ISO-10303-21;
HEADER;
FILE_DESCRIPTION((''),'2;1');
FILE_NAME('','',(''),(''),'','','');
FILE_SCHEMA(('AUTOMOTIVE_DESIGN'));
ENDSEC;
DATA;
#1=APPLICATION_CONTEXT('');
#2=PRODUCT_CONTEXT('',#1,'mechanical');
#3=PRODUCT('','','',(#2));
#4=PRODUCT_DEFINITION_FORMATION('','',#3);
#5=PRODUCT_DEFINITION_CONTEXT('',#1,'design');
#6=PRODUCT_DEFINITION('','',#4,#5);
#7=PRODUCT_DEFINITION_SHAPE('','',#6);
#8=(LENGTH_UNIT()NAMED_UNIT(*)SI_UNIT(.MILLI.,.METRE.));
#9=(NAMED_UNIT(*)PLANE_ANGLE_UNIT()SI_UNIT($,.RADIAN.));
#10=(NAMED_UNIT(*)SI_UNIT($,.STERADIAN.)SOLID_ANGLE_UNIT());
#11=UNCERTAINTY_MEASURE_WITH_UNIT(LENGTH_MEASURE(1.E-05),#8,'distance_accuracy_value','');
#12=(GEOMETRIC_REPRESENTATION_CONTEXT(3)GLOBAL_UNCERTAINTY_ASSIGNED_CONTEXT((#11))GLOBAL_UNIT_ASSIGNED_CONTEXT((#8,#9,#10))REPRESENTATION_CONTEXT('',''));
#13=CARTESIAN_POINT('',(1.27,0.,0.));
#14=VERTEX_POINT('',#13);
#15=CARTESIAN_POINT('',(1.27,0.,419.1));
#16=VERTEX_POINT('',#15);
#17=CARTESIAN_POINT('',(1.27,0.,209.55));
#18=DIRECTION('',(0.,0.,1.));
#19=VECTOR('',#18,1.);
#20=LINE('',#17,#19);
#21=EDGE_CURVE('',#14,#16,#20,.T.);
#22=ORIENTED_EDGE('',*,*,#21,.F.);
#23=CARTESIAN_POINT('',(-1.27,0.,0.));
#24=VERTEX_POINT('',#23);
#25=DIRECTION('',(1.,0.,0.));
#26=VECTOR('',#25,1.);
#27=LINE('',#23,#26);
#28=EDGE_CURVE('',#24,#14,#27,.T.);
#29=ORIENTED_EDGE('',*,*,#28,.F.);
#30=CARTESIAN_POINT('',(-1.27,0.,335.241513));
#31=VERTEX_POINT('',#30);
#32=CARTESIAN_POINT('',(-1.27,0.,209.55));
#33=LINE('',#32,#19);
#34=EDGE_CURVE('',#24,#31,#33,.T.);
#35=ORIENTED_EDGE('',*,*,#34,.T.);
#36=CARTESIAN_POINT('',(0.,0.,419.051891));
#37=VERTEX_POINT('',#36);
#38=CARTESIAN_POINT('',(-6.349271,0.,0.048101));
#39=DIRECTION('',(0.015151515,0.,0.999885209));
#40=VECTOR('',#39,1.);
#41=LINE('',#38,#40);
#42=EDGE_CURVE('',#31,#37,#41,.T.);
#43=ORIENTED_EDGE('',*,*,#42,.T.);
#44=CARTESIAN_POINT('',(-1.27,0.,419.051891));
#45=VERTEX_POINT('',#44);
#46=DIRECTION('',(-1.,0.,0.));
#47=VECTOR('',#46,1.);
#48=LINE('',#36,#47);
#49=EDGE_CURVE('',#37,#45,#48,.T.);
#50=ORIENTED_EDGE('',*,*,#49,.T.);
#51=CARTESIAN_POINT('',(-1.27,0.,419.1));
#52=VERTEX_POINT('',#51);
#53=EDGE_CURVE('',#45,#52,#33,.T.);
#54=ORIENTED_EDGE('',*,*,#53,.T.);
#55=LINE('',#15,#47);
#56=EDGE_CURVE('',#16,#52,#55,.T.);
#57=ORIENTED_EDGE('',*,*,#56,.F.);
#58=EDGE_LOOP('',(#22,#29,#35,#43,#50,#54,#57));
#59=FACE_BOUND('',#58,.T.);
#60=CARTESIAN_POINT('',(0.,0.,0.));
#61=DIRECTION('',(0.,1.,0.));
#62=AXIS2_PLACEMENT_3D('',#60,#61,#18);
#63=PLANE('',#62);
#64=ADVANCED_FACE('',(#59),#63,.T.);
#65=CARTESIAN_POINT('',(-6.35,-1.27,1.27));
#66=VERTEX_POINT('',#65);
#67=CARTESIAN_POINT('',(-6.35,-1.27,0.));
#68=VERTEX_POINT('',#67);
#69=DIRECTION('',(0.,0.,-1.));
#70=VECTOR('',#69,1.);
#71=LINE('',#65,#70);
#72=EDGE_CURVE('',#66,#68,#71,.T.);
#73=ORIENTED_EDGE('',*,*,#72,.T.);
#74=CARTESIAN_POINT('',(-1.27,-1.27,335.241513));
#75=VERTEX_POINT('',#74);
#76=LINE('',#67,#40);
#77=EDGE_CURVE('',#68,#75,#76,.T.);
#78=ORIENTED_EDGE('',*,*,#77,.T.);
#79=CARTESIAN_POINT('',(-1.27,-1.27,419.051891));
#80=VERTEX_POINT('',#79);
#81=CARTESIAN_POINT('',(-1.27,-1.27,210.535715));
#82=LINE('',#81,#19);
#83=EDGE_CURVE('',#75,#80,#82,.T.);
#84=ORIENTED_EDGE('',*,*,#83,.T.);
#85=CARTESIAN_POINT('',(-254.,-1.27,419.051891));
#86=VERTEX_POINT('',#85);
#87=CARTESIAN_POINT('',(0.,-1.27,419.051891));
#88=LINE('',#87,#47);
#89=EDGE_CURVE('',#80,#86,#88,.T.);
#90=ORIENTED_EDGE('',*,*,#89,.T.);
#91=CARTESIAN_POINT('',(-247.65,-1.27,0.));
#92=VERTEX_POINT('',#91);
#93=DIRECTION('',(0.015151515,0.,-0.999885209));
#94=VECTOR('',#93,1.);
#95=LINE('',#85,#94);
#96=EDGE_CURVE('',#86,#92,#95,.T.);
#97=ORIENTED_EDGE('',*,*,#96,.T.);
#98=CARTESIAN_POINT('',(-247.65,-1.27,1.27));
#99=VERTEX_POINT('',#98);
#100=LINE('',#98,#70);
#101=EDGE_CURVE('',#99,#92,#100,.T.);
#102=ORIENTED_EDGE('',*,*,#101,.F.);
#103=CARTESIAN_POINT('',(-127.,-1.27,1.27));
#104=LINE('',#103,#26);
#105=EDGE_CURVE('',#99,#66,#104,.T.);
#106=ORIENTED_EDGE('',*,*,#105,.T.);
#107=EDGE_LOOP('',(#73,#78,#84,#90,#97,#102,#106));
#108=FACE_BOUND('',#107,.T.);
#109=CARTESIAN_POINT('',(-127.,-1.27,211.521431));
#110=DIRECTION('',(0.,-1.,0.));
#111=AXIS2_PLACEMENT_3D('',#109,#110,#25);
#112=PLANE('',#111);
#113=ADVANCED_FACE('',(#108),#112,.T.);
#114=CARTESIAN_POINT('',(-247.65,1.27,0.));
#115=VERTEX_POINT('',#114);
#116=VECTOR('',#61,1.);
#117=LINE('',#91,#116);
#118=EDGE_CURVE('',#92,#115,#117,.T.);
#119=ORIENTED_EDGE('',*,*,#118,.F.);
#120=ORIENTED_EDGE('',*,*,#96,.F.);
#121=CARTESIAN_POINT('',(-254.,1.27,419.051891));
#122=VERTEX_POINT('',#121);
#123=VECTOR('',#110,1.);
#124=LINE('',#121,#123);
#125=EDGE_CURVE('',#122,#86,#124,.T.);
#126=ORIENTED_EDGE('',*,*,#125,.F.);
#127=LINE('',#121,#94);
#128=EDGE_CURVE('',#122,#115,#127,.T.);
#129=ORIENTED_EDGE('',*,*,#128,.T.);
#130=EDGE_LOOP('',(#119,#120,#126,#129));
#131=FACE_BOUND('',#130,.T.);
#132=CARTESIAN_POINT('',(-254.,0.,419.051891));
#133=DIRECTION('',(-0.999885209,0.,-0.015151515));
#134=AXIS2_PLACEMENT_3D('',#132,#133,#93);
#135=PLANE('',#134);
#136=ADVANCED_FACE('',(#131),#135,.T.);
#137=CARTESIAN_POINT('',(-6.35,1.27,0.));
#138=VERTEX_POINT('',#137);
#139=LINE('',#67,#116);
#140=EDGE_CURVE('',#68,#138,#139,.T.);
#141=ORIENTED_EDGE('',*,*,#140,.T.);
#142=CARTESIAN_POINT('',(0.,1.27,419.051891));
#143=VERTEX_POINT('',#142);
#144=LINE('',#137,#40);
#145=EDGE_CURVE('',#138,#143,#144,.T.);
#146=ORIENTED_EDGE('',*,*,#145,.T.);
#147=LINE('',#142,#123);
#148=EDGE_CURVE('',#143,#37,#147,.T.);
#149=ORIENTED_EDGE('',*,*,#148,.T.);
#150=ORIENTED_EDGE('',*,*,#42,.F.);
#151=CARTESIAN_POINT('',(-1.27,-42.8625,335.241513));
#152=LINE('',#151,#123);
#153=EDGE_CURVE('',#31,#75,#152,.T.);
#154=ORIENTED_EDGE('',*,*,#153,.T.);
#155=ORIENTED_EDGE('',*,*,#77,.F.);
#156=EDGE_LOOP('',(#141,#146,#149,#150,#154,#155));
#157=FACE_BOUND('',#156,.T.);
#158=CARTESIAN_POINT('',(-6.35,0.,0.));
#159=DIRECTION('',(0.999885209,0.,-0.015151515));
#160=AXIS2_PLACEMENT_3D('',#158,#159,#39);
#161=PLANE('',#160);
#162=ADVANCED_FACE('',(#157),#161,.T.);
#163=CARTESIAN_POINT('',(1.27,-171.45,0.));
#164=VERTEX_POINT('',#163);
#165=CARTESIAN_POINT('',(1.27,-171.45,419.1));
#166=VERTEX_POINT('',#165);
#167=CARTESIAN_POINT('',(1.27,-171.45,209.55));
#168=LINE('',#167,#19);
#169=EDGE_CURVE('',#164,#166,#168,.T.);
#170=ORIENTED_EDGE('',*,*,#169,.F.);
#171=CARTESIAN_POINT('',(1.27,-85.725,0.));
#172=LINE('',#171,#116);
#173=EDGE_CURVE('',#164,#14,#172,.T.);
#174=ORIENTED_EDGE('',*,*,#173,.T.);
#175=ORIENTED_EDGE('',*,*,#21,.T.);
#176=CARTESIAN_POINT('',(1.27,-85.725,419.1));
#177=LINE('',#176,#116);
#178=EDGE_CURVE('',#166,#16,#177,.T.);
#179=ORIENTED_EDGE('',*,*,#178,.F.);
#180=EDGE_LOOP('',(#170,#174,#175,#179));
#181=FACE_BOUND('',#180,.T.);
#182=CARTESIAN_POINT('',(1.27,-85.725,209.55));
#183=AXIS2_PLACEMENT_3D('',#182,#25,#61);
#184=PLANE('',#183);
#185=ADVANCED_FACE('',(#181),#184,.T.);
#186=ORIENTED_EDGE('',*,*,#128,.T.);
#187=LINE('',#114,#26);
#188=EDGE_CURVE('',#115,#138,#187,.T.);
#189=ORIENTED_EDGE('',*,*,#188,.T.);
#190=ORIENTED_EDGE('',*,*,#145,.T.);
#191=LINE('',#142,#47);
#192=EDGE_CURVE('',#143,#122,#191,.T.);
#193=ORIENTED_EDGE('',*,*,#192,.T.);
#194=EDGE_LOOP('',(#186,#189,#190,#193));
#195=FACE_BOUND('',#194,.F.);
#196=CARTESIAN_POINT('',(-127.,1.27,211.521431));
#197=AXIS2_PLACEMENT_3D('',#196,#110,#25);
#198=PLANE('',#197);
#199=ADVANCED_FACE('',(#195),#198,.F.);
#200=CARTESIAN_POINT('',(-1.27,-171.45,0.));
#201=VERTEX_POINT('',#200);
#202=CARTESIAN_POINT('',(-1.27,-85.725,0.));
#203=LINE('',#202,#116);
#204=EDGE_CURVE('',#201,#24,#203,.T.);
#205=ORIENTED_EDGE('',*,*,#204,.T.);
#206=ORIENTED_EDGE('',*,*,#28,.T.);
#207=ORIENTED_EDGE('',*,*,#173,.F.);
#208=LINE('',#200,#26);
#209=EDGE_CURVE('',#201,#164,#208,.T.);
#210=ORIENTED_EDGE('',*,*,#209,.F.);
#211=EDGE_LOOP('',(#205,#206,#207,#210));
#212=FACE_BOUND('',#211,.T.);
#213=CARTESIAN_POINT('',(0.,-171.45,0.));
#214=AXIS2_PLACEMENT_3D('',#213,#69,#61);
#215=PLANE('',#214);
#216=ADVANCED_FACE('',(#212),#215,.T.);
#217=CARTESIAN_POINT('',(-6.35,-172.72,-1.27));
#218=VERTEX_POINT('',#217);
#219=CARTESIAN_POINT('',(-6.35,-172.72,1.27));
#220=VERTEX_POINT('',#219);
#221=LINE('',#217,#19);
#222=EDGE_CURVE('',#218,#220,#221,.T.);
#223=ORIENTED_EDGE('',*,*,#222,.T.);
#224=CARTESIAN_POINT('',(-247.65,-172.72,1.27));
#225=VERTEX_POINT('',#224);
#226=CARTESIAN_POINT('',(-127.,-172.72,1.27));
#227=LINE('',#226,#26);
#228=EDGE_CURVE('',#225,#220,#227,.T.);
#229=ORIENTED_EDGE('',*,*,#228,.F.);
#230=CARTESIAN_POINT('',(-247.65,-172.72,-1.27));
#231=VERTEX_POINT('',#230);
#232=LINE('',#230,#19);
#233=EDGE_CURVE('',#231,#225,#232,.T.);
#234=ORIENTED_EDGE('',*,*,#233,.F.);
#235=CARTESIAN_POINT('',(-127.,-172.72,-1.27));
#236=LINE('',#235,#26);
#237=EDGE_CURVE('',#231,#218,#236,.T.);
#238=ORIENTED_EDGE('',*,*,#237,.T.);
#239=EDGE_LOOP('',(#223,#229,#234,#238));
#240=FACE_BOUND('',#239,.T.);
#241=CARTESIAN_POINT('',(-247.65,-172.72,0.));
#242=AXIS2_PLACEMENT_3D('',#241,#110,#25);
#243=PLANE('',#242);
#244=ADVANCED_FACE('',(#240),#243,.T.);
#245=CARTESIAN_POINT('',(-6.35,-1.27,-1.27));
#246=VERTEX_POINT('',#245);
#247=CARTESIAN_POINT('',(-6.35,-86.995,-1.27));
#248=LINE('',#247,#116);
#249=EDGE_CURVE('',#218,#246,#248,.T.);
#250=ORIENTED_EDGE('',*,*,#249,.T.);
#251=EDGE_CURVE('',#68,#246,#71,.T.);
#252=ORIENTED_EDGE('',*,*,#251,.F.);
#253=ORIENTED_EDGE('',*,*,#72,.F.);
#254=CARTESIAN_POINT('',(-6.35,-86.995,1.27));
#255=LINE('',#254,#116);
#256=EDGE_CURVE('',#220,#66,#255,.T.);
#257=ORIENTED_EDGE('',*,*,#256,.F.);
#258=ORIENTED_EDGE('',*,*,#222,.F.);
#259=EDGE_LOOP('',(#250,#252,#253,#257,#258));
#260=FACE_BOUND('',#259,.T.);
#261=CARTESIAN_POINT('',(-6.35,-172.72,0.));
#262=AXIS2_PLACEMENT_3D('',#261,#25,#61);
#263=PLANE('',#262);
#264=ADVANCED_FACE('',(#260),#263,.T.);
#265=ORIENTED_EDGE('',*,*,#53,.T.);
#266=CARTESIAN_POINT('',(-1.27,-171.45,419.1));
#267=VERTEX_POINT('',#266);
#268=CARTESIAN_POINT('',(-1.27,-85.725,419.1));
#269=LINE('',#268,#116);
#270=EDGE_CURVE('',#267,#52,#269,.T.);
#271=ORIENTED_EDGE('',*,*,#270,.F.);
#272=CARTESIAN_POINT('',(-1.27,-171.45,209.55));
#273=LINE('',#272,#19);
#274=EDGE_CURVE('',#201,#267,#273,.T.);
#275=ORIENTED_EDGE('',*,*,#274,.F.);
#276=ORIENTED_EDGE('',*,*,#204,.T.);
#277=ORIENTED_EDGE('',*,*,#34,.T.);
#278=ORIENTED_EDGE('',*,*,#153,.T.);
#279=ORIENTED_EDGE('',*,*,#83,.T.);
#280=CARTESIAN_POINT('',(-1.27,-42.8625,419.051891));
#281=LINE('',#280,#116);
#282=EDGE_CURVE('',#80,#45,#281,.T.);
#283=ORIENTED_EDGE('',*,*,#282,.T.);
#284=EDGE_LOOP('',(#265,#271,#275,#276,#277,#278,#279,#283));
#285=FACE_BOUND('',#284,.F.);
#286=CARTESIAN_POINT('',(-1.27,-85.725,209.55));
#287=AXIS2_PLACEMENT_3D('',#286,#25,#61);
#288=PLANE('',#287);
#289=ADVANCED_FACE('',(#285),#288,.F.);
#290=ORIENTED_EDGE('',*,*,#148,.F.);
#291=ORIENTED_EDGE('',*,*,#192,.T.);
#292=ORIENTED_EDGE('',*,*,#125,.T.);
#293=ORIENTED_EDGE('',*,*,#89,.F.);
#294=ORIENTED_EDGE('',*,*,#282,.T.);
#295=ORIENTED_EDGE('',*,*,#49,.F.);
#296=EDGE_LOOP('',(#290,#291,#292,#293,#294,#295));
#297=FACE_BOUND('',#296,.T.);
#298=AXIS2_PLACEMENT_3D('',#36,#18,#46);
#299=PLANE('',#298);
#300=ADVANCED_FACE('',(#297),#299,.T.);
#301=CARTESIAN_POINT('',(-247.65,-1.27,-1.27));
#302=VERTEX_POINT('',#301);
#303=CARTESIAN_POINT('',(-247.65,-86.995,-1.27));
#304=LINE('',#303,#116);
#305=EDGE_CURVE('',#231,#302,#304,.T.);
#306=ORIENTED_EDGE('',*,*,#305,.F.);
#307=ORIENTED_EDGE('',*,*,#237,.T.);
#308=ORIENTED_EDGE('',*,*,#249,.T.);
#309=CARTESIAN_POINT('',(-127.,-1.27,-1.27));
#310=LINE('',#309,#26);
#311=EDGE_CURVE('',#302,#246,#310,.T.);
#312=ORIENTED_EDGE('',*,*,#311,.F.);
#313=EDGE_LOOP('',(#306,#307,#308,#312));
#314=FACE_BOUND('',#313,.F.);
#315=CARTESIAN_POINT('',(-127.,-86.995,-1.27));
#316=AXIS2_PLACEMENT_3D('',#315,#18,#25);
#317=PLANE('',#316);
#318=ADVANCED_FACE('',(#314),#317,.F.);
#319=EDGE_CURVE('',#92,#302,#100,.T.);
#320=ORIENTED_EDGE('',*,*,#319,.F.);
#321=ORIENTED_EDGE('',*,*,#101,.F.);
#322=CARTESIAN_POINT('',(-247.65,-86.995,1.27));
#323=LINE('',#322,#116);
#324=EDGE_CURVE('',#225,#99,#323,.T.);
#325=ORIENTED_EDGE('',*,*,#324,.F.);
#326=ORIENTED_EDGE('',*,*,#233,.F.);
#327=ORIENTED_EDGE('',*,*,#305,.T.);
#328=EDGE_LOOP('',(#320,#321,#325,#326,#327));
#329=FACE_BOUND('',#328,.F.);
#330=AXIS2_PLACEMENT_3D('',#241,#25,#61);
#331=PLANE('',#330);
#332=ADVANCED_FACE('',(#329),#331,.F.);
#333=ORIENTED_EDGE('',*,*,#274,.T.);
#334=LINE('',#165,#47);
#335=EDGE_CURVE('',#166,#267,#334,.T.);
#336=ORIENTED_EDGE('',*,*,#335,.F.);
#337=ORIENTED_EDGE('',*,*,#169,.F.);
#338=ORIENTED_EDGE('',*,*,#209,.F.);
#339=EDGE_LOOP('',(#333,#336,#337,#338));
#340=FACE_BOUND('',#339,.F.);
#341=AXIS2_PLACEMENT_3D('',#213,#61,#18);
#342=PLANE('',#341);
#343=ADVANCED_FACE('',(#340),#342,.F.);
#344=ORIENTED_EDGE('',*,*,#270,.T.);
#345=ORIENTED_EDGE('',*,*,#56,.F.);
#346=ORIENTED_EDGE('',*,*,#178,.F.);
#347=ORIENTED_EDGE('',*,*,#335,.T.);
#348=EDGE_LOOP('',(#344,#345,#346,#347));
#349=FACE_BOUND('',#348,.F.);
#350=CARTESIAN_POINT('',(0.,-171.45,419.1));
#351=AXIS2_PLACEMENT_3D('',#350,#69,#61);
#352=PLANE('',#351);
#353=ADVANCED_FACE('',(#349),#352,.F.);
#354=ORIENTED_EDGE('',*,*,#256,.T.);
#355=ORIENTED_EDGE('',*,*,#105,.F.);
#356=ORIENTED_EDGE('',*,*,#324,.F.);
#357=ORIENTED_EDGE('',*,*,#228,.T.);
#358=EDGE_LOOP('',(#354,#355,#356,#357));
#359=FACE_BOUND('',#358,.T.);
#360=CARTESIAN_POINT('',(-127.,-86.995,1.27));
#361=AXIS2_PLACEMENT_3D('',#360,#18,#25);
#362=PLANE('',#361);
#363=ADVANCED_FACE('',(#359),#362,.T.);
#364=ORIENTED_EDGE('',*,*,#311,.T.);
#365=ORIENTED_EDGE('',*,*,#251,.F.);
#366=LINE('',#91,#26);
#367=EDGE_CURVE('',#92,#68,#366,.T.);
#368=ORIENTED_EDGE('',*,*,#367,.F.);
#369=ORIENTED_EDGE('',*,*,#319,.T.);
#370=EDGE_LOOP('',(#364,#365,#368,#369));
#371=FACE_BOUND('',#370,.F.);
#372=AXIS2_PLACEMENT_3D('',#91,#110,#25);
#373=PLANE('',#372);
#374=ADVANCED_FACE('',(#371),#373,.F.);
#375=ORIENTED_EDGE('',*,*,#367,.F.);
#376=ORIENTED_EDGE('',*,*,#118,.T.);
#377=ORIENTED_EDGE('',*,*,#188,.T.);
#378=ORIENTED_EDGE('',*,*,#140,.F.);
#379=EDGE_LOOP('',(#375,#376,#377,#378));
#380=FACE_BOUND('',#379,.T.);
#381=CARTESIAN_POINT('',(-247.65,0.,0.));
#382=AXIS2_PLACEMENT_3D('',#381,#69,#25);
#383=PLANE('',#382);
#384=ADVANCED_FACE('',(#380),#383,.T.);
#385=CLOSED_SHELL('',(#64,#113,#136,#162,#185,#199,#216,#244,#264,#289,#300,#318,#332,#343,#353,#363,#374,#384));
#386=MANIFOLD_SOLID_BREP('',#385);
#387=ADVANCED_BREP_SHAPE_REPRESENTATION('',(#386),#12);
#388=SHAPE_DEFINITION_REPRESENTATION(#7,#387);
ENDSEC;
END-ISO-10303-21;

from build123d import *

# Parameters (mm, degrees)
F1_DEPTH = 1.27
F2_W     = 241.3
F2_H     = 171.45
F3_DEPTH = 1.27
F4_W     = 171.45
F4_H     = 419.1
F5_DEPTH = 1.27


with BuildPart() as f1:
    # F0 (on Front) → F1 (new body, symmetric)
    with BuildSketch(Plane.XZ):
        Polygon((-6.35, 0), (0, 419.051891), (-254, 419.051891), (-247.65, 0), align=None)
    extrude(amount=F1_DEPTH, both=True)

    # F2 (on Top) → F3 (join, symmetric)
    with BuildSketch(Plane.XY):
        with Locations((-127, -86.995)):
            Rectangle(F2_W, F2_H)
    extrude(amount=F3_DEPTH, both=True)

    # F4 (on Right) → F5 (join, symmetric)
    with BuildSketch(Plane.YZ):
        with Locations((-85.725, 209.55)):
            Rectangle(F4_W, F4_H)
    extrude(amount=F5_DEPTH, both=True)


solid = f1.part
